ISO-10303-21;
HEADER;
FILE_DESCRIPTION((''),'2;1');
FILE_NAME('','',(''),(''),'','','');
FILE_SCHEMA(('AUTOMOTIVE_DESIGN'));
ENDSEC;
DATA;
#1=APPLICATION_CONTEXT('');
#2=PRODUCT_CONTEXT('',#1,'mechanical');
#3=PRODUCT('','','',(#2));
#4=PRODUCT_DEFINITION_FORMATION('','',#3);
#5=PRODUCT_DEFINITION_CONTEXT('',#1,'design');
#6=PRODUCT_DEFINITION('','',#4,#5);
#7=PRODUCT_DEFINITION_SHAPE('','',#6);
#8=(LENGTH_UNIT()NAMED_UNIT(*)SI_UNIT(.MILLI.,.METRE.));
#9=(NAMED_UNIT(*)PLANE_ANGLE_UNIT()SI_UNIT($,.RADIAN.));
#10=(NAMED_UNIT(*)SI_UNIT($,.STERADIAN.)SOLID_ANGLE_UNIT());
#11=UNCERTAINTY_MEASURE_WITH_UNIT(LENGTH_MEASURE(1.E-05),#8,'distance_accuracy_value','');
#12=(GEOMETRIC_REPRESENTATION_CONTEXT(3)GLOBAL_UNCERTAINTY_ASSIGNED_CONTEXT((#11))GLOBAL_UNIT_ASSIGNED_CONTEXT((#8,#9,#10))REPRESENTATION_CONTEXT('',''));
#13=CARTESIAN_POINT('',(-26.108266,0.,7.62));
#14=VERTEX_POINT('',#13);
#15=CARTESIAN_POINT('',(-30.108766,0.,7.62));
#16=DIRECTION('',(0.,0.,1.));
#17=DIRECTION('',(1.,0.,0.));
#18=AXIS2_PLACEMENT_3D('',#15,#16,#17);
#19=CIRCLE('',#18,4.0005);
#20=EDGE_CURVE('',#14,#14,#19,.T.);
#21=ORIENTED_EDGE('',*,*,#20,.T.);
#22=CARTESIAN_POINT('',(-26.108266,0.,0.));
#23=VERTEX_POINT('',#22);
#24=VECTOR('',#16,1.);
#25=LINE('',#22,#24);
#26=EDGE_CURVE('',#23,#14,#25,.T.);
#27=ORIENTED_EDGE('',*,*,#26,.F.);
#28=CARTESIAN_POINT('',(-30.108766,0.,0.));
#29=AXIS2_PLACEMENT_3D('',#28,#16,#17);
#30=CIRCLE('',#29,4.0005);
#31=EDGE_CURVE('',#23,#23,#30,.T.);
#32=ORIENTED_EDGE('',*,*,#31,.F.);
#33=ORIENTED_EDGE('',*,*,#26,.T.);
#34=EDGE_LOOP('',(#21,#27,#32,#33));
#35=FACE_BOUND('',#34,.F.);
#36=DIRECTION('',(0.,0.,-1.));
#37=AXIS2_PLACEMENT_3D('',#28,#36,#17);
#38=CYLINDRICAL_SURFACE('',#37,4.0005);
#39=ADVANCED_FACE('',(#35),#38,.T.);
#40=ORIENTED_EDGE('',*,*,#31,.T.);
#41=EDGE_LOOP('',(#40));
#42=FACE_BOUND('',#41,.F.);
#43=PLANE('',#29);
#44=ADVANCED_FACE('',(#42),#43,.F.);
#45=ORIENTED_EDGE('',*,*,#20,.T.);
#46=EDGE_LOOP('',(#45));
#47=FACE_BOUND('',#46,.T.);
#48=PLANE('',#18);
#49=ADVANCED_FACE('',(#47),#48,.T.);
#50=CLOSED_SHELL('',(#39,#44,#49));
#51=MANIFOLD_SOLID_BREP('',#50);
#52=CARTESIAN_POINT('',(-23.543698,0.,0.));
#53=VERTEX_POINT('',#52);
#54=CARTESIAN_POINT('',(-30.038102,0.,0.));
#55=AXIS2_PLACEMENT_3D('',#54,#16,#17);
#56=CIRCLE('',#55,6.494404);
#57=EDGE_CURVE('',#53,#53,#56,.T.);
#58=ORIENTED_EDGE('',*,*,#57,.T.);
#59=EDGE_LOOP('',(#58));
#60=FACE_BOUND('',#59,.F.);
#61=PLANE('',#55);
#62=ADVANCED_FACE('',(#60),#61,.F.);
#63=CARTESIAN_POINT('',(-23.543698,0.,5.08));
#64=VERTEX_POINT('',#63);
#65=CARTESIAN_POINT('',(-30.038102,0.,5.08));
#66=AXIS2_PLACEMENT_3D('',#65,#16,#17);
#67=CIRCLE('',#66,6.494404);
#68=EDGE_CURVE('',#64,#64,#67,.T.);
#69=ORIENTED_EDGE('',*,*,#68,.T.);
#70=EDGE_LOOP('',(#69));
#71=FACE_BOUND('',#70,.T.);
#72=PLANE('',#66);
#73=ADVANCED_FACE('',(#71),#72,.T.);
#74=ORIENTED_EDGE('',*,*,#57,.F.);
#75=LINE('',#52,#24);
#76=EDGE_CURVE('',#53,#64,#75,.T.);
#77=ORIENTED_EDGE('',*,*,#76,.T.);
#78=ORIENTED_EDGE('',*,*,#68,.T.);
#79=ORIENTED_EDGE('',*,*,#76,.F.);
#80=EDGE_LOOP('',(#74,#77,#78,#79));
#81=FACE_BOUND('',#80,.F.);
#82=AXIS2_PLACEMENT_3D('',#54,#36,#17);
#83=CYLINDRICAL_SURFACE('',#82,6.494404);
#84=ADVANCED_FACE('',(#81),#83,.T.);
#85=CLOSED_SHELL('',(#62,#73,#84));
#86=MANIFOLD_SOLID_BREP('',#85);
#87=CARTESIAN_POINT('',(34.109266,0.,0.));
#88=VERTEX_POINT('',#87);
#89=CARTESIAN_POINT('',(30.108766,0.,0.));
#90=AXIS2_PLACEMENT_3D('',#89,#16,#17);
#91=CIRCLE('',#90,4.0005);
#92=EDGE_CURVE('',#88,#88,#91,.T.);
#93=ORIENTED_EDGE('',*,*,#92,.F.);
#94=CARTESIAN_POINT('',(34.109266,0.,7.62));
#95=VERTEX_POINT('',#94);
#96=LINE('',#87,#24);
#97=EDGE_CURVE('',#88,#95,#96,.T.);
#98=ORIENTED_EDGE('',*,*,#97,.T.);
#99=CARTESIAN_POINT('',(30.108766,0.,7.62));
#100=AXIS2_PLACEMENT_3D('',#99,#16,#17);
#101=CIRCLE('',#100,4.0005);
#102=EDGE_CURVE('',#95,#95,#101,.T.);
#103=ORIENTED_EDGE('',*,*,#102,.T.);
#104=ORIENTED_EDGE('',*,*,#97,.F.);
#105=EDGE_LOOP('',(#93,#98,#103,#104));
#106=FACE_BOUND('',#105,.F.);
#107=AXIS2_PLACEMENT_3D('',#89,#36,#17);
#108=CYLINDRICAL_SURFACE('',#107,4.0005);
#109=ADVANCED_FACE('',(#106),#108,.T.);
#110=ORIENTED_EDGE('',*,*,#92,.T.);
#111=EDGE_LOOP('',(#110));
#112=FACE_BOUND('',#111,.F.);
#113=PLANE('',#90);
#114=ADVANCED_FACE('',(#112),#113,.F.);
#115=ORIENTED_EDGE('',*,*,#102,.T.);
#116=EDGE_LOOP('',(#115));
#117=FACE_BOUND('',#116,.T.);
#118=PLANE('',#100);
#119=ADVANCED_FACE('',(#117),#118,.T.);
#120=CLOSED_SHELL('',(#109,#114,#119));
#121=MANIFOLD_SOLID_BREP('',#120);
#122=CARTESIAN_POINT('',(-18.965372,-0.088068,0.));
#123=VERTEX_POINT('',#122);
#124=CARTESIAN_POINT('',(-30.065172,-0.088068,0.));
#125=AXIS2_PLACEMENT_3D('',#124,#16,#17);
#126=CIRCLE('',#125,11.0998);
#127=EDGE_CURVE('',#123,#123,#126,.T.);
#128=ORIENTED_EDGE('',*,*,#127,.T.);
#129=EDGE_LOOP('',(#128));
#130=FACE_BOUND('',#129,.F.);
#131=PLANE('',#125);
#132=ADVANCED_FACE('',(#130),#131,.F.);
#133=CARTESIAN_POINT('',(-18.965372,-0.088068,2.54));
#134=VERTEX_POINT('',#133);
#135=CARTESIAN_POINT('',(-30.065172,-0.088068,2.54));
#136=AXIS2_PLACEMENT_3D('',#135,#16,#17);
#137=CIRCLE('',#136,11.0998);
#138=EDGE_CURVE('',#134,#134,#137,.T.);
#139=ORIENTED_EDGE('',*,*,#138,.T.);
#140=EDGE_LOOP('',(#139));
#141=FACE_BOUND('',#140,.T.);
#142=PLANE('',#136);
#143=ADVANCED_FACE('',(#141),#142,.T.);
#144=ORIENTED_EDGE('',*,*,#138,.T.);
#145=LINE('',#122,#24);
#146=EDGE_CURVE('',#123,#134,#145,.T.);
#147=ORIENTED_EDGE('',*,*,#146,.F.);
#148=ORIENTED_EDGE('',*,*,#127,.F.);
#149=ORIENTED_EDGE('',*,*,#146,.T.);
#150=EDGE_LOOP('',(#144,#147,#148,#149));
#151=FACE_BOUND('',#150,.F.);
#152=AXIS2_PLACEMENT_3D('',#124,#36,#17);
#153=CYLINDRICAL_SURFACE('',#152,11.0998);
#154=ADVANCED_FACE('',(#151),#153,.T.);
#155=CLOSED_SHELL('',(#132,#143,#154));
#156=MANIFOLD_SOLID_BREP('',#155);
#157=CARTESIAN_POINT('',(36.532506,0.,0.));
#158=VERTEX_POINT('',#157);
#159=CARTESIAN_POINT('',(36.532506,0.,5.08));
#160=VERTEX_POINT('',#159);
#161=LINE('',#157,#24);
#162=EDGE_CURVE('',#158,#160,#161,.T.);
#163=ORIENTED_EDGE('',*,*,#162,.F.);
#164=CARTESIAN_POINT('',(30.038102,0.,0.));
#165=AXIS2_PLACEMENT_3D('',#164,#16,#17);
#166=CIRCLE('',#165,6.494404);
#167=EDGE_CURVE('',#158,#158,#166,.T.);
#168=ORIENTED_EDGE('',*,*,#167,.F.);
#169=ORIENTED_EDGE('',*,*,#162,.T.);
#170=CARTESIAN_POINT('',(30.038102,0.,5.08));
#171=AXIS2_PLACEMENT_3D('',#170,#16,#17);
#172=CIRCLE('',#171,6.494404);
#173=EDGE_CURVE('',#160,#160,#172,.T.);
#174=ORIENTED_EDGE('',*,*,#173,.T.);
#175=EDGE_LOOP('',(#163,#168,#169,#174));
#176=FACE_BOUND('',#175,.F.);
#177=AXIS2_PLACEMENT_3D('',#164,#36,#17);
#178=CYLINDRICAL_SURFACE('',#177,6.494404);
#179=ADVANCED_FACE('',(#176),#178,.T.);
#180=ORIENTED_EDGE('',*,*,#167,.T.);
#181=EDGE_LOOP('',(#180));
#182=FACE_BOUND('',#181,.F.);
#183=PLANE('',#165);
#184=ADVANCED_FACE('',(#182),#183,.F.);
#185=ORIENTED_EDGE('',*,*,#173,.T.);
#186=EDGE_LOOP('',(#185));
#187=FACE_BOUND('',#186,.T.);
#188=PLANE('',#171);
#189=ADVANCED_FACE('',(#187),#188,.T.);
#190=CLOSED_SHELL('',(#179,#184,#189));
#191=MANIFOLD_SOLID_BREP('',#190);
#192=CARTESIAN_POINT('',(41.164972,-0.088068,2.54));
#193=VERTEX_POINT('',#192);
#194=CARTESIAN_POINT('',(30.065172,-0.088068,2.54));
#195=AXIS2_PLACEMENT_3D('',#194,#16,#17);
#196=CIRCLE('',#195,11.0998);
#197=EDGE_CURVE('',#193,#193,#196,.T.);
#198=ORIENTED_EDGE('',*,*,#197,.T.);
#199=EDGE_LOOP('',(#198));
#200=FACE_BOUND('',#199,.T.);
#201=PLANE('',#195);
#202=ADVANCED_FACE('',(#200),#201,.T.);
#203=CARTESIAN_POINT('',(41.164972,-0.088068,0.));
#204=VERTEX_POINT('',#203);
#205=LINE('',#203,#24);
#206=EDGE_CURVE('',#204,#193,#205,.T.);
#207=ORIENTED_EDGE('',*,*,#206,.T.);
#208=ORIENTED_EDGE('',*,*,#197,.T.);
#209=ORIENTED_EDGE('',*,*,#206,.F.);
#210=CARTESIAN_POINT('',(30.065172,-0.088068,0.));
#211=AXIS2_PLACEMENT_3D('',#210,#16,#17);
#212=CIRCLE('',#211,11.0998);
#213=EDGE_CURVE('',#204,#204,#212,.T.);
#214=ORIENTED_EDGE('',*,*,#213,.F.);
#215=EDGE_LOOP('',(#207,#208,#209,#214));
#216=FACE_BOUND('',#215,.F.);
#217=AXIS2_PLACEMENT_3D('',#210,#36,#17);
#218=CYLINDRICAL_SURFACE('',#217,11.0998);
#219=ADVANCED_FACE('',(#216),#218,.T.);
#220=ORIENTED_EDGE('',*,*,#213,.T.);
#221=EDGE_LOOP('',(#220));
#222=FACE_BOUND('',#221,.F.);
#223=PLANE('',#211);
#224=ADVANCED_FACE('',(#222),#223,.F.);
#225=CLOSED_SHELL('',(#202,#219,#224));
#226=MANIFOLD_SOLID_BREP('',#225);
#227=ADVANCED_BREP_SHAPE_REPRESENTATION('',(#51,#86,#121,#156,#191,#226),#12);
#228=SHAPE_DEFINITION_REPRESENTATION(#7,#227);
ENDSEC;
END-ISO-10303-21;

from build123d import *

# Parameters (mm, degrees)
F0_R     = 11.0998
F1_DEPTH = 2.54
F2_R     = 6.494404
F3_DEPTH = 5.08
F4_R     = 4.0005
F5_DEPTH = 7.62


with BuildPart() as f1:
    # F0 (on Top) → F1 (new body)
    with BuildSketch(Plane.XY):
        with Locations((-30.065172, -0.088068)):
            Circle(F0_R)
        with Locations((30.065172, -0.088068)):
            Circle(F0_R)
    extrude(amount=F1_DEPTH)


with BuildPart() as f3:
    # F2 (on Top) → F3 (new body)
    with BuildSketch(Plane.XY):
        with Locations((-30.038102, 0)):
            Circle(F2_R)
        with Locations((30.038102, 0)):
            Circle(F2_R)
    extrude(amount=F3_DEPTH)


with BuildPart() as f5:
    # F4 (on Top) → F5 (new body)
    with BuildSketch(Plane.XY):
        with Locations((-30.108766, 0)):
            Circle(F4_R)
        with Locations((30.108766, 0)):
            Circle(F4_R)
    extrude(amount=F5_DEPTH)


solid = Compound([f1.part, f3.part, f5.part])
